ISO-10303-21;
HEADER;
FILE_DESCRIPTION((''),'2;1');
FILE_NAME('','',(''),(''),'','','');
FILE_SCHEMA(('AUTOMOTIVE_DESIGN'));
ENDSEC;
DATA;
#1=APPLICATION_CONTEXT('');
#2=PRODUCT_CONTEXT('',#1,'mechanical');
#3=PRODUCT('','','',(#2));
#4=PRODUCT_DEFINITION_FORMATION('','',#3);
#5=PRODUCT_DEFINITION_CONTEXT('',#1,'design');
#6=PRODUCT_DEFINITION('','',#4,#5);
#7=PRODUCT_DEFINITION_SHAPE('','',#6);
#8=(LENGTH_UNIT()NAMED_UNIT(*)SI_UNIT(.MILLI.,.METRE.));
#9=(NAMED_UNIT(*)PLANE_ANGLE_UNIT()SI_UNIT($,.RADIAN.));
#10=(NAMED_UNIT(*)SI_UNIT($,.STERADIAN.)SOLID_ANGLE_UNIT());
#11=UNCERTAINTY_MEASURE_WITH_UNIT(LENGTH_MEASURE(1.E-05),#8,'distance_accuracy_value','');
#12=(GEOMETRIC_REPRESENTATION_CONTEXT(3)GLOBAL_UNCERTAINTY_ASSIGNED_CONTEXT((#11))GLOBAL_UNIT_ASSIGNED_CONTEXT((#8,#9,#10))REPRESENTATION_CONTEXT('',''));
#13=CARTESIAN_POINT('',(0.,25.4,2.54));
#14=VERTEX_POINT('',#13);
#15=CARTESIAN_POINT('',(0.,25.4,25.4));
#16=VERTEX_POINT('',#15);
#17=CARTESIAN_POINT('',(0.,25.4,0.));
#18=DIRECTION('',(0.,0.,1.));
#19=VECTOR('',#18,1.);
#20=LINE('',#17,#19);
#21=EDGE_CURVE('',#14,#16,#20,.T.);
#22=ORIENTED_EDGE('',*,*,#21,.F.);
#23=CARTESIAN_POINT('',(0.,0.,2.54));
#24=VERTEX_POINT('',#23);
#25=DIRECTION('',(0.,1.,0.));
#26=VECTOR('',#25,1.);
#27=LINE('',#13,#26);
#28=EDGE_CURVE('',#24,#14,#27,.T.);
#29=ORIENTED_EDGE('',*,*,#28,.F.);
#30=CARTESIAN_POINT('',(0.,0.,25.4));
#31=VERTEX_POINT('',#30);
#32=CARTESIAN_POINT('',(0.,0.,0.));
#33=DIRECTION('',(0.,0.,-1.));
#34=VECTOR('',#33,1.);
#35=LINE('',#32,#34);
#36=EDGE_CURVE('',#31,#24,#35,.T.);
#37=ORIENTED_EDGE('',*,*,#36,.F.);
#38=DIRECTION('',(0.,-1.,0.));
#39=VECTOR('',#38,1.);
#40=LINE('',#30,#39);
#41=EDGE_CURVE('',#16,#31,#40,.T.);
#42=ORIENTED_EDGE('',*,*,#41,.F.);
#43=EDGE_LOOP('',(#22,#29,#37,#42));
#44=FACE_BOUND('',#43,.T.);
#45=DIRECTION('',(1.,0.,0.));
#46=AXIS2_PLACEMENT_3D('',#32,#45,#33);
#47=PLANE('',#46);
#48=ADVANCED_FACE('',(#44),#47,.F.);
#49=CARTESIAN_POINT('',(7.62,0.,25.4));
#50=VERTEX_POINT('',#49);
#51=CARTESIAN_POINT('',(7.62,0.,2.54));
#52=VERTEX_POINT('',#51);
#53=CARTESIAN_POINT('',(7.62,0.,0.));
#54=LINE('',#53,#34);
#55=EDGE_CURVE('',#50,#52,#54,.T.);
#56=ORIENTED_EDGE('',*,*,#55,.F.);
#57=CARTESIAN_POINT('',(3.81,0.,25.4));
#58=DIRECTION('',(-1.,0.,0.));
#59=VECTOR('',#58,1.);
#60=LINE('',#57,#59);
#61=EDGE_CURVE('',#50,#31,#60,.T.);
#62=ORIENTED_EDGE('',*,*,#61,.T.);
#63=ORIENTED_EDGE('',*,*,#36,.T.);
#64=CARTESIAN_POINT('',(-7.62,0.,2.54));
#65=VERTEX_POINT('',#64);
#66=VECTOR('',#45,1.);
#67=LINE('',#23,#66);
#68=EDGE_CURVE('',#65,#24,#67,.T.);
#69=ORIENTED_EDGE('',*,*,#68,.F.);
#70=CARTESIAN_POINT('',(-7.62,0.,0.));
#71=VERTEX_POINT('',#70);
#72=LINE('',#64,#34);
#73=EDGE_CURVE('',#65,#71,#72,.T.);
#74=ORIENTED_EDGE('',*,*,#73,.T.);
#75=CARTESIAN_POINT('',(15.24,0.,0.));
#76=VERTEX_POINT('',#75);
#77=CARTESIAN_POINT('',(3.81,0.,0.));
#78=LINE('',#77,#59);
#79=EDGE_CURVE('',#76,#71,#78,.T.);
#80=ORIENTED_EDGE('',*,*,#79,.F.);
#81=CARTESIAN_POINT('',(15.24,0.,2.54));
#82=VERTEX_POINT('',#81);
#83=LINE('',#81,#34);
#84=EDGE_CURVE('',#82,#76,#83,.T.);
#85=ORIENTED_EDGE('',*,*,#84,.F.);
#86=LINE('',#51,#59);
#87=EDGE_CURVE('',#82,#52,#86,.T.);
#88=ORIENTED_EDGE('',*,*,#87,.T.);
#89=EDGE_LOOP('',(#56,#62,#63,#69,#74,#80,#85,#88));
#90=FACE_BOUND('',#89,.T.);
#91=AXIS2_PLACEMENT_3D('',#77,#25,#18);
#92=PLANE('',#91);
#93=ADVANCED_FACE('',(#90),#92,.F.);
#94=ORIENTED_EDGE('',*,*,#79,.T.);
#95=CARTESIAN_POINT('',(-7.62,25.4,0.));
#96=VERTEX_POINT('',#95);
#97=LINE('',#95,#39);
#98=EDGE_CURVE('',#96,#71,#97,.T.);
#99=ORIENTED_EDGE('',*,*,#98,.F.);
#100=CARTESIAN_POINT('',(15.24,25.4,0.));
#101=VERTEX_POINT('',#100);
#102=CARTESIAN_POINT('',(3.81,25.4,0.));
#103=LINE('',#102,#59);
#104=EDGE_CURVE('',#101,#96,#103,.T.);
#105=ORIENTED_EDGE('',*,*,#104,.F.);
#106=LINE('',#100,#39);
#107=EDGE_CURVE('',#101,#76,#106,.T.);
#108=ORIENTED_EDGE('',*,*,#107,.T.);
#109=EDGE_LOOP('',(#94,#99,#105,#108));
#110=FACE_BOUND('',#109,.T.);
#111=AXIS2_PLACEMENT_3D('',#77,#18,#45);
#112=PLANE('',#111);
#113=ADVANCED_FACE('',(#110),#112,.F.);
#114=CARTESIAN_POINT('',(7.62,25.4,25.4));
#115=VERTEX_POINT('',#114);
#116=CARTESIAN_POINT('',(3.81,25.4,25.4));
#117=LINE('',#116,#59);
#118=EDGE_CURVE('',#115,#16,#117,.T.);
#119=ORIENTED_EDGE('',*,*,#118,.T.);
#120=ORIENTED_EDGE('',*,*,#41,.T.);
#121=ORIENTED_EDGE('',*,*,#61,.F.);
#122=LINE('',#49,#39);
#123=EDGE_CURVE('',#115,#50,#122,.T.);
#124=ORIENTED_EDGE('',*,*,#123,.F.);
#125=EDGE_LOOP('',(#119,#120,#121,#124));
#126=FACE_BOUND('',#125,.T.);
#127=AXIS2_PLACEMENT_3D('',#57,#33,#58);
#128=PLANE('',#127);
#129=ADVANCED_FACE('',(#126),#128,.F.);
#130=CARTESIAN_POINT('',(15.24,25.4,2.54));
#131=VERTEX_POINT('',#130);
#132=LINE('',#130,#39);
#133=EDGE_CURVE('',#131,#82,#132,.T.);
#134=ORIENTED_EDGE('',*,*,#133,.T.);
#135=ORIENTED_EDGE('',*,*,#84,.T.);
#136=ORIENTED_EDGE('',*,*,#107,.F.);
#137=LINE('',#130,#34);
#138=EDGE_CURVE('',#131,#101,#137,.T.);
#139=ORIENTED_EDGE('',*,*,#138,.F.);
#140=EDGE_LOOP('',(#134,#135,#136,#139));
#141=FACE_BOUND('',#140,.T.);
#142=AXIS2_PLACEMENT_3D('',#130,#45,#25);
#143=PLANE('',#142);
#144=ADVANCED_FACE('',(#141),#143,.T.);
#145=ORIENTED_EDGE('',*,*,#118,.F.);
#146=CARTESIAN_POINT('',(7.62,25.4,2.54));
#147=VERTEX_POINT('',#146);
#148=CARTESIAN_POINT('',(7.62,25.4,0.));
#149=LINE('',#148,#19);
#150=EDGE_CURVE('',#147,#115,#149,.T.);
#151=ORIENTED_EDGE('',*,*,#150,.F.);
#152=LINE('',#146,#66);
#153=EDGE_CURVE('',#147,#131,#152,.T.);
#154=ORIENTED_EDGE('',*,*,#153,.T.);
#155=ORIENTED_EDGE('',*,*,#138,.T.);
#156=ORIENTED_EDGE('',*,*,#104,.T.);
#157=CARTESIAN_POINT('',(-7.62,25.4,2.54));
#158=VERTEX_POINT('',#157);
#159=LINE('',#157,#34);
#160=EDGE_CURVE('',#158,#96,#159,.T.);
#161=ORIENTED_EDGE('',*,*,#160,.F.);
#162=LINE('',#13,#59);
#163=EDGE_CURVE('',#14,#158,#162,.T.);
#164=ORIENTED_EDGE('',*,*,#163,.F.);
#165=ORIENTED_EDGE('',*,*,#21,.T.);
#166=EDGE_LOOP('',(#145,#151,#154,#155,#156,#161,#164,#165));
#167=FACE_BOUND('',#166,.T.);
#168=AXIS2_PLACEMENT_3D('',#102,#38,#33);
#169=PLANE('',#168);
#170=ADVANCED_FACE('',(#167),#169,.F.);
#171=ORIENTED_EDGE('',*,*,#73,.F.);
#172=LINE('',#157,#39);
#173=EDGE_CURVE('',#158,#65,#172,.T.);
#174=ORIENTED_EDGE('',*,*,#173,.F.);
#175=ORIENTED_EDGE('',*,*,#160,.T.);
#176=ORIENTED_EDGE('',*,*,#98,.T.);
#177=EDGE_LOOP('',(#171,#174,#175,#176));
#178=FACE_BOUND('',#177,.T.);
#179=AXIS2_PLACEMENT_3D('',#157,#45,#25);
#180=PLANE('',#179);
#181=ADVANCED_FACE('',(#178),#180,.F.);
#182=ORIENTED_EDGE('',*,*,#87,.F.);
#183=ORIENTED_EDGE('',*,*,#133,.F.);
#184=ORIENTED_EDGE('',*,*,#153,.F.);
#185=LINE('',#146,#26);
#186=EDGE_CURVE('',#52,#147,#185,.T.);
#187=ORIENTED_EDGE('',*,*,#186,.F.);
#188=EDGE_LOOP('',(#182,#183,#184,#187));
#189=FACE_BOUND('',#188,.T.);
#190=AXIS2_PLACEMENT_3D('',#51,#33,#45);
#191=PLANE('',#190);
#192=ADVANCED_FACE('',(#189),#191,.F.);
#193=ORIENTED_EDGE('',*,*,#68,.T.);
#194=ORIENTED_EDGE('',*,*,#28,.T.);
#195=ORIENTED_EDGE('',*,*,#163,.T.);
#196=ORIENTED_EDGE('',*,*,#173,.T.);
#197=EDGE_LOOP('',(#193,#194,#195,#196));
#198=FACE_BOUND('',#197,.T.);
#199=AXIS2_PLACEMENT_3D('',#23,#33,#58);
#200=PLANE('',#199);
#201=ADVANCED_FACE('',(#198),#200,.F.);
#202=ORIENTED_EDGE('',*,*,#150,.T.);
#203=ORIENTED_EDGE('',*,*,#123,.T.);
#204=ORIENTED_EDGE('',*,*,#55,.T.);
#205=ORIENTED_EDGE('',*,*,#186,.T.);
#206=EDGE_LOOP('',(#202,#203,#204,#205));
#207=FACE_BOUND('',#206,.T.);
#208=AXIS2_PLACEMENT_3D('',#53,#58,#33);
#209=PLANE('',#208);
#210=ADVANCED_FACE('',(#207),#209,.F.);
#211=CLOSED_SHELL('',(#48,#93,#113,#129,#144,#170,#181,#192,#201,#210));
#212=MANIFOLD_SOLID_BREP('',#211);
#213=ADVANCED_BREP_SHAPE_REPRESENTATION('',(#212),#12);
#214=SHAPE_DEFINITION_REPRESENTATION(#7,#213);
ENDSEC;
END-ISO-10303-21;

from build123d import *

# Parameters (mm, degrees)
SKETCH1_W           = 25.4
SKETCH1_H           = 25.4
BOSS_EXTRUDE1_DEPTH = 3.81
SKETCH2_W           = 7.62
SKETCH2_H           = 25.4
BOSS_EXTRUDE2_DEPTH = 2.54


with BuildPart() as part:
    # Sketch1 → Boss-Extrude1 (new body)
    with BuildSketch(Plane(origin=(0, 0, 0), x_dir=(0, 0, -1), z_dir=(1, 0, 0))):
        with Locations((-12.7, 12.7)):
            Rectangle(SKETCH1_W, SKETCH1_H)
    boss_extrude1 = extrude(amount=BOSS_EXTRUDE1_DEPTH)

    # Sketch2 → Boss-Extrude2 (add)
    with BuildSketch(Plane.XY):
        with Locations((-3.81, 12.7)):
            Rectangle(SKETCH2_W, SKETCH2_H)
    boss_extrude2 = extrude(amount=BOSS_EXTRUDE2_DEPTH)

    # Mirror2: Boss-Extrude1, Boss-Extrude2 across plane
    add(boss_extrude1.mirror(Plane(origin=(3.81, 0, 0), x_dir=(0, 0, 1), z_dir=(1, 0, 0))))
    add(boss_extrude2.mirror(Plane(origin=(3.81, 0, 0), x_dir=(0, 0, 1), z_dir=(1, 0, 0))))


solid = part.part
